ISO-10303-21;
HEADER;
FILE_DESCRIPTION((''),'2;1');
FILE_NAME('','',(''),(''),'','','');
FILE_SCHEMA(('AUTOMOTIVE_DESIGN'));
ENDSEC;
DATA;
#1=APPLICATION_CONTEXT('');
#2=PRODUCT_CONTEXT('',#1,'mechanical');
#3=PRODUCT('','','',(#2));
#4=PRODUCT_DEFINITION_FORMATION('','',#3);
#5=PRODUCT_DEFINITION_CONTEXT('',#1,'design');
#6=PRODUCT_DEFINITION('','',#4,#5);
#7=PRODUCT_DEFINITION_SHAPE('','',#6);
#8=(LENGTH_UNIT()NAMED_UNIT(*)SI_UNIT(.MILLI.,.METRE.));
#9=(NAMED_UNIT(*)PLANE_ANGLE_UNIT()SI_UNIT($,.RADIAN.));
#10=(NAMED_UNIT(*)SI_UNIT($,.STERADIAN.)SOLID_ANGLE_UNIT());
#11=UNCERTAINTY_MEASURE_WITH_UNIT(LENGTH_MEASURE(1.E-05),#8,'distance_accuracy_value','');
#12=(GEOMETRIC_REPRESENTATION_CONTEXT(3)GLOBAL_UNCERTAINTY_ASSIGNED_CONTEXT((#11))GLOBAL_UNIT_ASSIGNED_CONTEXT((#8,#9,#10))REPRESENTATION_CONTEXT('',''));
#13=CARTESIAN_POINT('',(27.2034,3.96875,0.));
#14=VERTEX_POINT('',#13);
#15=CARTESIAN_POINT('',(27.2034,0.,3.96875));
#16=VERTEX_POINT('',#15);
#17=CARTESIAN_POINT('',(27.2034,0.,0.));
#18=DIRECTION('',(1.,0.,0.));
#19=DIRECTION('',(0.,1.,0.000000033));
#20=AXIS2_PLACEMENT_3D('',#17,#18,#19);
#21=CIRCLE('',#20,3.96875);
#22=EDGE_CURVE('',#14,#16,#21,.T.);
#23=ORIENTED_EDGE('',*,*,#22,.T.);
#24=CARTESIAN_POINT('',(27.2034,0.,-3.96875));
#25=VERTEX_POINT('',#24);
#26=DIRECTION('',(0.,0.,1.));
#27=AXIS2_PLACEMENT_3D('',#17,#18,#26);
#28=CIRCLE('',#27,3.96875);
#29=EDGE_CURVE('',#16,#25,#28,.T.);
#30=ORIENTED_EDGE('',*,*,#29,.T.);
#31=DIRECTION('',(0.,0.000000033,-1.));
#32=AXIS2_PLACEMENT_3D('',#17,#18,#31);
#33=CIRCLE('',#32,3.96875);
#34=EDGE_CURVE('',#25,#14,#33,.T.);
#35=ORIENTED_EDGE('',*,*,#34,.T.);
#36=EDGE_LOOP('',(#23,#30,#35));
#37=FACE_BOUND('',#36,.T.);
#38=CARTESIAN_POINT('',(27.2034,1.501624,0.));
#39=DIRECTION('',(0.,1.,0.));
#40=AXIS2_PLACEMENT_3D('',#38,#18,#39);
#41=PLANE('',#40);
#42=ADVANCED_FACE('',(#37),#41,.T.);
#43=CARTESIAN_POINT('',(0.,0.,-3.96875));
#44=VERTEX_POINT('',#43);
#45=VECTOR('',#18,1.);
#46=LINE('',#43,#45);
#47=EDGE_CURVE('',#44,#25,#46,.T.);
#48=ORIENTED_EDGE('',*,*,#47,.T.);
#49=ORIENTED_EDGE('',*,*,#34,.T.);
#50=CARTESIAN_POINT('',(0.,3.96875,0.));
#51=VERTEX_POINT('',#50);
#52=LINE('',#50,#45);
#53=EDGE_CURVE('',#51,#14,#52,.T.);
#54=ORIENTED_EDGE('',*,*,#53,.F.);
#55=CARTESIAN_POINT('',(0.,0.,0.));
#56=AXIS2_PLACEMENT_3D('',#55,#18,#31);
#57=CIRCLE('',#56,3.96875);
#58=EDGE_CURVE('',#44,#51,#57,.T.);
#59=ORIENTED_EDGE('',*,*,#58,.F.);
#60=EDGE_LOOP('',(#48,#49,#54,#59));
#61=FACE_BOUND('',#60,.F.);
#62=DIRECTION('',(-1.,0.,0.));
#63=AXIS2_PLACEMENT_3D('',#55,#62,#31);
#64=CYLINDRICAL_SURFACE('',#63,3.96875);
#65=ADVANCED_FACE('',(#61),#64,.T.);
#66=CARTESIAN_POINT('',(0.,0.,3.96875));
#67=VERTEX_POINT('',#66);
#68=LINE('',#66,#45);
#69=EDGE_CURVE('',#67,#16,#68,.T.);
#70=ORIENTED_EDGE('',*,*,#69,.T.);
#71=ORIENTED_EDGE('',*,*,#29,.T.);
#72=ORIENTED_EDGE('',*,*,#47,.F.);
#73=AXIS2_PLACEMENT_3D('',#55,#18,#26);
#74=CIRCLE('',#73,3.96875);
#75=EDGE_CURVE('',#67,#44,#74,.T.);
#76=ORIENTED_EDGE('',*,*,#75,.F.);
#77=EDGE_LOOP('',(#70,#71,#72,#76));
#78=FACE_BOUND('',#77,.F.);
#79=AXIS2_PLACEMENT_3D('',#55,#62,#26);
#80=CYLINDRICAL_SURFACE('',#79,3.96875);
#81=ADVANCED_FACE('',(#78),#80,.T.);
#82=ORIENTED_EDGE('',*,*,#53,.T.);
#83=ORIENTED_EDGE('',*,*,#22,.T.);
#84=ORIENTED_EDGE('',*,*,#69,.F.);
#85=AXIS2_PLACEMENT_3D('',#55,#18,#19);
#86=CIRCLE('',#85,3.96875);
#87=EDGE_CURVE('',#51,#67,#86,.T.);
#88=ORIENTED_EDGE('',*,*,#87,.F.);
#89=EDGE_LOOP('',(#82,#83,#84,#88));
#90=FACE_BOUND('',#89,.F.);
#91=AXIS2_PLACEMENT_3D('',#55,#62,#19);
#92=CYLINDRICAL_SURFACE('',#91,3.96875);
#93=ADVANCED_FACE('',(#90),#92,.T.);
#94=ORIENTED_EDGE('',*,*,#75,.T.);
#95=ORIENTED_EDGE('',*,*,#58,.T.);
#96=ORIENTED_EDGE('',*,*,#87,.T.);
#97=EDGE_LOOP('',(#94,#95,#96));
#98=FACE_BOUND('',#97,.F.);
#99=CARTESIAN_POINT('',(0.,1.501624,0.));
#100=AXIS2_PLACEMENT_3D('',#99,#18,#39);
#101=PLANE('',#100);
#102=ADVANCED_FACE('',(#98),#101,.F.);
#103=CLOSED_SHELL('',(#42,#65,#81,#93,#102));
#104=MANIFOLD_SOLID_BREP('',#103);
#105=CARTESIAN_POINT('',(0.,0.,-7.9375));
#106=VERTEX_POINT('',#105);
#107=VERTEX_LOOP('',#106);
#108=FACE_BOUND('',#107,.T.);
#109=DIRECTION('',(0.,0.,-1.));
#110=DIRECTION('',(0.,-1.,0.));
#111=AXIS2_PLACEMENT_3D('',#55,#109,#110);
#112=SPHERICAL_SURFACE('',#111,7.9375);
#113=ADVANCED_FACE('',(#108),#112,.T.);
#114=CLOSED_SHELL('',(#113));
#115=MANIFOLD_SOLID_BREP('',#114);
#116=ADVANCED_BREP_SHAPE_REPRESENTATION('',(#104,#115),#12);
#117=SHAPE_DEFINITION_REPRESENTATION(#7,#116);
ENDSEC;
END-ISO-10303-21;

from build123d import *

# Parameters (mm, degrees)
F3_DEPTH = 27.2034


with BuildPart() as f1:
    # F0 (on Right) → F1 (revolve)
    with BuildSketch(Plane.YZ):
        with BuildLine():
            Line((0, -7.9375), (0, 7.9375))
            ThreePointArc((0, 7.9375), (-7.9375, 0), (0, -7.9375))
        make_face()
    revolve(axis=Axis((0, 0, 0), (0, 0, -1)))


with BuildPart() as f3:
    # F2 (on face) → F3 (new body)
    with BuildSketch(Plane.YZ):
        with BuildLine():
            ThreePointArc((0, -3.96875), (2.80633, -2.80633), (3.96875, 0))
            ThreePointArc((3.96875, 0), (2.80633, 2.80633), (0, 3.96875))
            Line((0, 3.96875), (0, -3.96875))
        make_face()
        with BuildLine():
            Line((0, -3.96875), (0, 3.96875))
            ThreePointArc((0, 3.96875), (-3.96875, 0), (0, -3.96875))
        make_face()
    extrude(amount=F3_DEPTH)


solid = Compound([f1.part, f3.part])
